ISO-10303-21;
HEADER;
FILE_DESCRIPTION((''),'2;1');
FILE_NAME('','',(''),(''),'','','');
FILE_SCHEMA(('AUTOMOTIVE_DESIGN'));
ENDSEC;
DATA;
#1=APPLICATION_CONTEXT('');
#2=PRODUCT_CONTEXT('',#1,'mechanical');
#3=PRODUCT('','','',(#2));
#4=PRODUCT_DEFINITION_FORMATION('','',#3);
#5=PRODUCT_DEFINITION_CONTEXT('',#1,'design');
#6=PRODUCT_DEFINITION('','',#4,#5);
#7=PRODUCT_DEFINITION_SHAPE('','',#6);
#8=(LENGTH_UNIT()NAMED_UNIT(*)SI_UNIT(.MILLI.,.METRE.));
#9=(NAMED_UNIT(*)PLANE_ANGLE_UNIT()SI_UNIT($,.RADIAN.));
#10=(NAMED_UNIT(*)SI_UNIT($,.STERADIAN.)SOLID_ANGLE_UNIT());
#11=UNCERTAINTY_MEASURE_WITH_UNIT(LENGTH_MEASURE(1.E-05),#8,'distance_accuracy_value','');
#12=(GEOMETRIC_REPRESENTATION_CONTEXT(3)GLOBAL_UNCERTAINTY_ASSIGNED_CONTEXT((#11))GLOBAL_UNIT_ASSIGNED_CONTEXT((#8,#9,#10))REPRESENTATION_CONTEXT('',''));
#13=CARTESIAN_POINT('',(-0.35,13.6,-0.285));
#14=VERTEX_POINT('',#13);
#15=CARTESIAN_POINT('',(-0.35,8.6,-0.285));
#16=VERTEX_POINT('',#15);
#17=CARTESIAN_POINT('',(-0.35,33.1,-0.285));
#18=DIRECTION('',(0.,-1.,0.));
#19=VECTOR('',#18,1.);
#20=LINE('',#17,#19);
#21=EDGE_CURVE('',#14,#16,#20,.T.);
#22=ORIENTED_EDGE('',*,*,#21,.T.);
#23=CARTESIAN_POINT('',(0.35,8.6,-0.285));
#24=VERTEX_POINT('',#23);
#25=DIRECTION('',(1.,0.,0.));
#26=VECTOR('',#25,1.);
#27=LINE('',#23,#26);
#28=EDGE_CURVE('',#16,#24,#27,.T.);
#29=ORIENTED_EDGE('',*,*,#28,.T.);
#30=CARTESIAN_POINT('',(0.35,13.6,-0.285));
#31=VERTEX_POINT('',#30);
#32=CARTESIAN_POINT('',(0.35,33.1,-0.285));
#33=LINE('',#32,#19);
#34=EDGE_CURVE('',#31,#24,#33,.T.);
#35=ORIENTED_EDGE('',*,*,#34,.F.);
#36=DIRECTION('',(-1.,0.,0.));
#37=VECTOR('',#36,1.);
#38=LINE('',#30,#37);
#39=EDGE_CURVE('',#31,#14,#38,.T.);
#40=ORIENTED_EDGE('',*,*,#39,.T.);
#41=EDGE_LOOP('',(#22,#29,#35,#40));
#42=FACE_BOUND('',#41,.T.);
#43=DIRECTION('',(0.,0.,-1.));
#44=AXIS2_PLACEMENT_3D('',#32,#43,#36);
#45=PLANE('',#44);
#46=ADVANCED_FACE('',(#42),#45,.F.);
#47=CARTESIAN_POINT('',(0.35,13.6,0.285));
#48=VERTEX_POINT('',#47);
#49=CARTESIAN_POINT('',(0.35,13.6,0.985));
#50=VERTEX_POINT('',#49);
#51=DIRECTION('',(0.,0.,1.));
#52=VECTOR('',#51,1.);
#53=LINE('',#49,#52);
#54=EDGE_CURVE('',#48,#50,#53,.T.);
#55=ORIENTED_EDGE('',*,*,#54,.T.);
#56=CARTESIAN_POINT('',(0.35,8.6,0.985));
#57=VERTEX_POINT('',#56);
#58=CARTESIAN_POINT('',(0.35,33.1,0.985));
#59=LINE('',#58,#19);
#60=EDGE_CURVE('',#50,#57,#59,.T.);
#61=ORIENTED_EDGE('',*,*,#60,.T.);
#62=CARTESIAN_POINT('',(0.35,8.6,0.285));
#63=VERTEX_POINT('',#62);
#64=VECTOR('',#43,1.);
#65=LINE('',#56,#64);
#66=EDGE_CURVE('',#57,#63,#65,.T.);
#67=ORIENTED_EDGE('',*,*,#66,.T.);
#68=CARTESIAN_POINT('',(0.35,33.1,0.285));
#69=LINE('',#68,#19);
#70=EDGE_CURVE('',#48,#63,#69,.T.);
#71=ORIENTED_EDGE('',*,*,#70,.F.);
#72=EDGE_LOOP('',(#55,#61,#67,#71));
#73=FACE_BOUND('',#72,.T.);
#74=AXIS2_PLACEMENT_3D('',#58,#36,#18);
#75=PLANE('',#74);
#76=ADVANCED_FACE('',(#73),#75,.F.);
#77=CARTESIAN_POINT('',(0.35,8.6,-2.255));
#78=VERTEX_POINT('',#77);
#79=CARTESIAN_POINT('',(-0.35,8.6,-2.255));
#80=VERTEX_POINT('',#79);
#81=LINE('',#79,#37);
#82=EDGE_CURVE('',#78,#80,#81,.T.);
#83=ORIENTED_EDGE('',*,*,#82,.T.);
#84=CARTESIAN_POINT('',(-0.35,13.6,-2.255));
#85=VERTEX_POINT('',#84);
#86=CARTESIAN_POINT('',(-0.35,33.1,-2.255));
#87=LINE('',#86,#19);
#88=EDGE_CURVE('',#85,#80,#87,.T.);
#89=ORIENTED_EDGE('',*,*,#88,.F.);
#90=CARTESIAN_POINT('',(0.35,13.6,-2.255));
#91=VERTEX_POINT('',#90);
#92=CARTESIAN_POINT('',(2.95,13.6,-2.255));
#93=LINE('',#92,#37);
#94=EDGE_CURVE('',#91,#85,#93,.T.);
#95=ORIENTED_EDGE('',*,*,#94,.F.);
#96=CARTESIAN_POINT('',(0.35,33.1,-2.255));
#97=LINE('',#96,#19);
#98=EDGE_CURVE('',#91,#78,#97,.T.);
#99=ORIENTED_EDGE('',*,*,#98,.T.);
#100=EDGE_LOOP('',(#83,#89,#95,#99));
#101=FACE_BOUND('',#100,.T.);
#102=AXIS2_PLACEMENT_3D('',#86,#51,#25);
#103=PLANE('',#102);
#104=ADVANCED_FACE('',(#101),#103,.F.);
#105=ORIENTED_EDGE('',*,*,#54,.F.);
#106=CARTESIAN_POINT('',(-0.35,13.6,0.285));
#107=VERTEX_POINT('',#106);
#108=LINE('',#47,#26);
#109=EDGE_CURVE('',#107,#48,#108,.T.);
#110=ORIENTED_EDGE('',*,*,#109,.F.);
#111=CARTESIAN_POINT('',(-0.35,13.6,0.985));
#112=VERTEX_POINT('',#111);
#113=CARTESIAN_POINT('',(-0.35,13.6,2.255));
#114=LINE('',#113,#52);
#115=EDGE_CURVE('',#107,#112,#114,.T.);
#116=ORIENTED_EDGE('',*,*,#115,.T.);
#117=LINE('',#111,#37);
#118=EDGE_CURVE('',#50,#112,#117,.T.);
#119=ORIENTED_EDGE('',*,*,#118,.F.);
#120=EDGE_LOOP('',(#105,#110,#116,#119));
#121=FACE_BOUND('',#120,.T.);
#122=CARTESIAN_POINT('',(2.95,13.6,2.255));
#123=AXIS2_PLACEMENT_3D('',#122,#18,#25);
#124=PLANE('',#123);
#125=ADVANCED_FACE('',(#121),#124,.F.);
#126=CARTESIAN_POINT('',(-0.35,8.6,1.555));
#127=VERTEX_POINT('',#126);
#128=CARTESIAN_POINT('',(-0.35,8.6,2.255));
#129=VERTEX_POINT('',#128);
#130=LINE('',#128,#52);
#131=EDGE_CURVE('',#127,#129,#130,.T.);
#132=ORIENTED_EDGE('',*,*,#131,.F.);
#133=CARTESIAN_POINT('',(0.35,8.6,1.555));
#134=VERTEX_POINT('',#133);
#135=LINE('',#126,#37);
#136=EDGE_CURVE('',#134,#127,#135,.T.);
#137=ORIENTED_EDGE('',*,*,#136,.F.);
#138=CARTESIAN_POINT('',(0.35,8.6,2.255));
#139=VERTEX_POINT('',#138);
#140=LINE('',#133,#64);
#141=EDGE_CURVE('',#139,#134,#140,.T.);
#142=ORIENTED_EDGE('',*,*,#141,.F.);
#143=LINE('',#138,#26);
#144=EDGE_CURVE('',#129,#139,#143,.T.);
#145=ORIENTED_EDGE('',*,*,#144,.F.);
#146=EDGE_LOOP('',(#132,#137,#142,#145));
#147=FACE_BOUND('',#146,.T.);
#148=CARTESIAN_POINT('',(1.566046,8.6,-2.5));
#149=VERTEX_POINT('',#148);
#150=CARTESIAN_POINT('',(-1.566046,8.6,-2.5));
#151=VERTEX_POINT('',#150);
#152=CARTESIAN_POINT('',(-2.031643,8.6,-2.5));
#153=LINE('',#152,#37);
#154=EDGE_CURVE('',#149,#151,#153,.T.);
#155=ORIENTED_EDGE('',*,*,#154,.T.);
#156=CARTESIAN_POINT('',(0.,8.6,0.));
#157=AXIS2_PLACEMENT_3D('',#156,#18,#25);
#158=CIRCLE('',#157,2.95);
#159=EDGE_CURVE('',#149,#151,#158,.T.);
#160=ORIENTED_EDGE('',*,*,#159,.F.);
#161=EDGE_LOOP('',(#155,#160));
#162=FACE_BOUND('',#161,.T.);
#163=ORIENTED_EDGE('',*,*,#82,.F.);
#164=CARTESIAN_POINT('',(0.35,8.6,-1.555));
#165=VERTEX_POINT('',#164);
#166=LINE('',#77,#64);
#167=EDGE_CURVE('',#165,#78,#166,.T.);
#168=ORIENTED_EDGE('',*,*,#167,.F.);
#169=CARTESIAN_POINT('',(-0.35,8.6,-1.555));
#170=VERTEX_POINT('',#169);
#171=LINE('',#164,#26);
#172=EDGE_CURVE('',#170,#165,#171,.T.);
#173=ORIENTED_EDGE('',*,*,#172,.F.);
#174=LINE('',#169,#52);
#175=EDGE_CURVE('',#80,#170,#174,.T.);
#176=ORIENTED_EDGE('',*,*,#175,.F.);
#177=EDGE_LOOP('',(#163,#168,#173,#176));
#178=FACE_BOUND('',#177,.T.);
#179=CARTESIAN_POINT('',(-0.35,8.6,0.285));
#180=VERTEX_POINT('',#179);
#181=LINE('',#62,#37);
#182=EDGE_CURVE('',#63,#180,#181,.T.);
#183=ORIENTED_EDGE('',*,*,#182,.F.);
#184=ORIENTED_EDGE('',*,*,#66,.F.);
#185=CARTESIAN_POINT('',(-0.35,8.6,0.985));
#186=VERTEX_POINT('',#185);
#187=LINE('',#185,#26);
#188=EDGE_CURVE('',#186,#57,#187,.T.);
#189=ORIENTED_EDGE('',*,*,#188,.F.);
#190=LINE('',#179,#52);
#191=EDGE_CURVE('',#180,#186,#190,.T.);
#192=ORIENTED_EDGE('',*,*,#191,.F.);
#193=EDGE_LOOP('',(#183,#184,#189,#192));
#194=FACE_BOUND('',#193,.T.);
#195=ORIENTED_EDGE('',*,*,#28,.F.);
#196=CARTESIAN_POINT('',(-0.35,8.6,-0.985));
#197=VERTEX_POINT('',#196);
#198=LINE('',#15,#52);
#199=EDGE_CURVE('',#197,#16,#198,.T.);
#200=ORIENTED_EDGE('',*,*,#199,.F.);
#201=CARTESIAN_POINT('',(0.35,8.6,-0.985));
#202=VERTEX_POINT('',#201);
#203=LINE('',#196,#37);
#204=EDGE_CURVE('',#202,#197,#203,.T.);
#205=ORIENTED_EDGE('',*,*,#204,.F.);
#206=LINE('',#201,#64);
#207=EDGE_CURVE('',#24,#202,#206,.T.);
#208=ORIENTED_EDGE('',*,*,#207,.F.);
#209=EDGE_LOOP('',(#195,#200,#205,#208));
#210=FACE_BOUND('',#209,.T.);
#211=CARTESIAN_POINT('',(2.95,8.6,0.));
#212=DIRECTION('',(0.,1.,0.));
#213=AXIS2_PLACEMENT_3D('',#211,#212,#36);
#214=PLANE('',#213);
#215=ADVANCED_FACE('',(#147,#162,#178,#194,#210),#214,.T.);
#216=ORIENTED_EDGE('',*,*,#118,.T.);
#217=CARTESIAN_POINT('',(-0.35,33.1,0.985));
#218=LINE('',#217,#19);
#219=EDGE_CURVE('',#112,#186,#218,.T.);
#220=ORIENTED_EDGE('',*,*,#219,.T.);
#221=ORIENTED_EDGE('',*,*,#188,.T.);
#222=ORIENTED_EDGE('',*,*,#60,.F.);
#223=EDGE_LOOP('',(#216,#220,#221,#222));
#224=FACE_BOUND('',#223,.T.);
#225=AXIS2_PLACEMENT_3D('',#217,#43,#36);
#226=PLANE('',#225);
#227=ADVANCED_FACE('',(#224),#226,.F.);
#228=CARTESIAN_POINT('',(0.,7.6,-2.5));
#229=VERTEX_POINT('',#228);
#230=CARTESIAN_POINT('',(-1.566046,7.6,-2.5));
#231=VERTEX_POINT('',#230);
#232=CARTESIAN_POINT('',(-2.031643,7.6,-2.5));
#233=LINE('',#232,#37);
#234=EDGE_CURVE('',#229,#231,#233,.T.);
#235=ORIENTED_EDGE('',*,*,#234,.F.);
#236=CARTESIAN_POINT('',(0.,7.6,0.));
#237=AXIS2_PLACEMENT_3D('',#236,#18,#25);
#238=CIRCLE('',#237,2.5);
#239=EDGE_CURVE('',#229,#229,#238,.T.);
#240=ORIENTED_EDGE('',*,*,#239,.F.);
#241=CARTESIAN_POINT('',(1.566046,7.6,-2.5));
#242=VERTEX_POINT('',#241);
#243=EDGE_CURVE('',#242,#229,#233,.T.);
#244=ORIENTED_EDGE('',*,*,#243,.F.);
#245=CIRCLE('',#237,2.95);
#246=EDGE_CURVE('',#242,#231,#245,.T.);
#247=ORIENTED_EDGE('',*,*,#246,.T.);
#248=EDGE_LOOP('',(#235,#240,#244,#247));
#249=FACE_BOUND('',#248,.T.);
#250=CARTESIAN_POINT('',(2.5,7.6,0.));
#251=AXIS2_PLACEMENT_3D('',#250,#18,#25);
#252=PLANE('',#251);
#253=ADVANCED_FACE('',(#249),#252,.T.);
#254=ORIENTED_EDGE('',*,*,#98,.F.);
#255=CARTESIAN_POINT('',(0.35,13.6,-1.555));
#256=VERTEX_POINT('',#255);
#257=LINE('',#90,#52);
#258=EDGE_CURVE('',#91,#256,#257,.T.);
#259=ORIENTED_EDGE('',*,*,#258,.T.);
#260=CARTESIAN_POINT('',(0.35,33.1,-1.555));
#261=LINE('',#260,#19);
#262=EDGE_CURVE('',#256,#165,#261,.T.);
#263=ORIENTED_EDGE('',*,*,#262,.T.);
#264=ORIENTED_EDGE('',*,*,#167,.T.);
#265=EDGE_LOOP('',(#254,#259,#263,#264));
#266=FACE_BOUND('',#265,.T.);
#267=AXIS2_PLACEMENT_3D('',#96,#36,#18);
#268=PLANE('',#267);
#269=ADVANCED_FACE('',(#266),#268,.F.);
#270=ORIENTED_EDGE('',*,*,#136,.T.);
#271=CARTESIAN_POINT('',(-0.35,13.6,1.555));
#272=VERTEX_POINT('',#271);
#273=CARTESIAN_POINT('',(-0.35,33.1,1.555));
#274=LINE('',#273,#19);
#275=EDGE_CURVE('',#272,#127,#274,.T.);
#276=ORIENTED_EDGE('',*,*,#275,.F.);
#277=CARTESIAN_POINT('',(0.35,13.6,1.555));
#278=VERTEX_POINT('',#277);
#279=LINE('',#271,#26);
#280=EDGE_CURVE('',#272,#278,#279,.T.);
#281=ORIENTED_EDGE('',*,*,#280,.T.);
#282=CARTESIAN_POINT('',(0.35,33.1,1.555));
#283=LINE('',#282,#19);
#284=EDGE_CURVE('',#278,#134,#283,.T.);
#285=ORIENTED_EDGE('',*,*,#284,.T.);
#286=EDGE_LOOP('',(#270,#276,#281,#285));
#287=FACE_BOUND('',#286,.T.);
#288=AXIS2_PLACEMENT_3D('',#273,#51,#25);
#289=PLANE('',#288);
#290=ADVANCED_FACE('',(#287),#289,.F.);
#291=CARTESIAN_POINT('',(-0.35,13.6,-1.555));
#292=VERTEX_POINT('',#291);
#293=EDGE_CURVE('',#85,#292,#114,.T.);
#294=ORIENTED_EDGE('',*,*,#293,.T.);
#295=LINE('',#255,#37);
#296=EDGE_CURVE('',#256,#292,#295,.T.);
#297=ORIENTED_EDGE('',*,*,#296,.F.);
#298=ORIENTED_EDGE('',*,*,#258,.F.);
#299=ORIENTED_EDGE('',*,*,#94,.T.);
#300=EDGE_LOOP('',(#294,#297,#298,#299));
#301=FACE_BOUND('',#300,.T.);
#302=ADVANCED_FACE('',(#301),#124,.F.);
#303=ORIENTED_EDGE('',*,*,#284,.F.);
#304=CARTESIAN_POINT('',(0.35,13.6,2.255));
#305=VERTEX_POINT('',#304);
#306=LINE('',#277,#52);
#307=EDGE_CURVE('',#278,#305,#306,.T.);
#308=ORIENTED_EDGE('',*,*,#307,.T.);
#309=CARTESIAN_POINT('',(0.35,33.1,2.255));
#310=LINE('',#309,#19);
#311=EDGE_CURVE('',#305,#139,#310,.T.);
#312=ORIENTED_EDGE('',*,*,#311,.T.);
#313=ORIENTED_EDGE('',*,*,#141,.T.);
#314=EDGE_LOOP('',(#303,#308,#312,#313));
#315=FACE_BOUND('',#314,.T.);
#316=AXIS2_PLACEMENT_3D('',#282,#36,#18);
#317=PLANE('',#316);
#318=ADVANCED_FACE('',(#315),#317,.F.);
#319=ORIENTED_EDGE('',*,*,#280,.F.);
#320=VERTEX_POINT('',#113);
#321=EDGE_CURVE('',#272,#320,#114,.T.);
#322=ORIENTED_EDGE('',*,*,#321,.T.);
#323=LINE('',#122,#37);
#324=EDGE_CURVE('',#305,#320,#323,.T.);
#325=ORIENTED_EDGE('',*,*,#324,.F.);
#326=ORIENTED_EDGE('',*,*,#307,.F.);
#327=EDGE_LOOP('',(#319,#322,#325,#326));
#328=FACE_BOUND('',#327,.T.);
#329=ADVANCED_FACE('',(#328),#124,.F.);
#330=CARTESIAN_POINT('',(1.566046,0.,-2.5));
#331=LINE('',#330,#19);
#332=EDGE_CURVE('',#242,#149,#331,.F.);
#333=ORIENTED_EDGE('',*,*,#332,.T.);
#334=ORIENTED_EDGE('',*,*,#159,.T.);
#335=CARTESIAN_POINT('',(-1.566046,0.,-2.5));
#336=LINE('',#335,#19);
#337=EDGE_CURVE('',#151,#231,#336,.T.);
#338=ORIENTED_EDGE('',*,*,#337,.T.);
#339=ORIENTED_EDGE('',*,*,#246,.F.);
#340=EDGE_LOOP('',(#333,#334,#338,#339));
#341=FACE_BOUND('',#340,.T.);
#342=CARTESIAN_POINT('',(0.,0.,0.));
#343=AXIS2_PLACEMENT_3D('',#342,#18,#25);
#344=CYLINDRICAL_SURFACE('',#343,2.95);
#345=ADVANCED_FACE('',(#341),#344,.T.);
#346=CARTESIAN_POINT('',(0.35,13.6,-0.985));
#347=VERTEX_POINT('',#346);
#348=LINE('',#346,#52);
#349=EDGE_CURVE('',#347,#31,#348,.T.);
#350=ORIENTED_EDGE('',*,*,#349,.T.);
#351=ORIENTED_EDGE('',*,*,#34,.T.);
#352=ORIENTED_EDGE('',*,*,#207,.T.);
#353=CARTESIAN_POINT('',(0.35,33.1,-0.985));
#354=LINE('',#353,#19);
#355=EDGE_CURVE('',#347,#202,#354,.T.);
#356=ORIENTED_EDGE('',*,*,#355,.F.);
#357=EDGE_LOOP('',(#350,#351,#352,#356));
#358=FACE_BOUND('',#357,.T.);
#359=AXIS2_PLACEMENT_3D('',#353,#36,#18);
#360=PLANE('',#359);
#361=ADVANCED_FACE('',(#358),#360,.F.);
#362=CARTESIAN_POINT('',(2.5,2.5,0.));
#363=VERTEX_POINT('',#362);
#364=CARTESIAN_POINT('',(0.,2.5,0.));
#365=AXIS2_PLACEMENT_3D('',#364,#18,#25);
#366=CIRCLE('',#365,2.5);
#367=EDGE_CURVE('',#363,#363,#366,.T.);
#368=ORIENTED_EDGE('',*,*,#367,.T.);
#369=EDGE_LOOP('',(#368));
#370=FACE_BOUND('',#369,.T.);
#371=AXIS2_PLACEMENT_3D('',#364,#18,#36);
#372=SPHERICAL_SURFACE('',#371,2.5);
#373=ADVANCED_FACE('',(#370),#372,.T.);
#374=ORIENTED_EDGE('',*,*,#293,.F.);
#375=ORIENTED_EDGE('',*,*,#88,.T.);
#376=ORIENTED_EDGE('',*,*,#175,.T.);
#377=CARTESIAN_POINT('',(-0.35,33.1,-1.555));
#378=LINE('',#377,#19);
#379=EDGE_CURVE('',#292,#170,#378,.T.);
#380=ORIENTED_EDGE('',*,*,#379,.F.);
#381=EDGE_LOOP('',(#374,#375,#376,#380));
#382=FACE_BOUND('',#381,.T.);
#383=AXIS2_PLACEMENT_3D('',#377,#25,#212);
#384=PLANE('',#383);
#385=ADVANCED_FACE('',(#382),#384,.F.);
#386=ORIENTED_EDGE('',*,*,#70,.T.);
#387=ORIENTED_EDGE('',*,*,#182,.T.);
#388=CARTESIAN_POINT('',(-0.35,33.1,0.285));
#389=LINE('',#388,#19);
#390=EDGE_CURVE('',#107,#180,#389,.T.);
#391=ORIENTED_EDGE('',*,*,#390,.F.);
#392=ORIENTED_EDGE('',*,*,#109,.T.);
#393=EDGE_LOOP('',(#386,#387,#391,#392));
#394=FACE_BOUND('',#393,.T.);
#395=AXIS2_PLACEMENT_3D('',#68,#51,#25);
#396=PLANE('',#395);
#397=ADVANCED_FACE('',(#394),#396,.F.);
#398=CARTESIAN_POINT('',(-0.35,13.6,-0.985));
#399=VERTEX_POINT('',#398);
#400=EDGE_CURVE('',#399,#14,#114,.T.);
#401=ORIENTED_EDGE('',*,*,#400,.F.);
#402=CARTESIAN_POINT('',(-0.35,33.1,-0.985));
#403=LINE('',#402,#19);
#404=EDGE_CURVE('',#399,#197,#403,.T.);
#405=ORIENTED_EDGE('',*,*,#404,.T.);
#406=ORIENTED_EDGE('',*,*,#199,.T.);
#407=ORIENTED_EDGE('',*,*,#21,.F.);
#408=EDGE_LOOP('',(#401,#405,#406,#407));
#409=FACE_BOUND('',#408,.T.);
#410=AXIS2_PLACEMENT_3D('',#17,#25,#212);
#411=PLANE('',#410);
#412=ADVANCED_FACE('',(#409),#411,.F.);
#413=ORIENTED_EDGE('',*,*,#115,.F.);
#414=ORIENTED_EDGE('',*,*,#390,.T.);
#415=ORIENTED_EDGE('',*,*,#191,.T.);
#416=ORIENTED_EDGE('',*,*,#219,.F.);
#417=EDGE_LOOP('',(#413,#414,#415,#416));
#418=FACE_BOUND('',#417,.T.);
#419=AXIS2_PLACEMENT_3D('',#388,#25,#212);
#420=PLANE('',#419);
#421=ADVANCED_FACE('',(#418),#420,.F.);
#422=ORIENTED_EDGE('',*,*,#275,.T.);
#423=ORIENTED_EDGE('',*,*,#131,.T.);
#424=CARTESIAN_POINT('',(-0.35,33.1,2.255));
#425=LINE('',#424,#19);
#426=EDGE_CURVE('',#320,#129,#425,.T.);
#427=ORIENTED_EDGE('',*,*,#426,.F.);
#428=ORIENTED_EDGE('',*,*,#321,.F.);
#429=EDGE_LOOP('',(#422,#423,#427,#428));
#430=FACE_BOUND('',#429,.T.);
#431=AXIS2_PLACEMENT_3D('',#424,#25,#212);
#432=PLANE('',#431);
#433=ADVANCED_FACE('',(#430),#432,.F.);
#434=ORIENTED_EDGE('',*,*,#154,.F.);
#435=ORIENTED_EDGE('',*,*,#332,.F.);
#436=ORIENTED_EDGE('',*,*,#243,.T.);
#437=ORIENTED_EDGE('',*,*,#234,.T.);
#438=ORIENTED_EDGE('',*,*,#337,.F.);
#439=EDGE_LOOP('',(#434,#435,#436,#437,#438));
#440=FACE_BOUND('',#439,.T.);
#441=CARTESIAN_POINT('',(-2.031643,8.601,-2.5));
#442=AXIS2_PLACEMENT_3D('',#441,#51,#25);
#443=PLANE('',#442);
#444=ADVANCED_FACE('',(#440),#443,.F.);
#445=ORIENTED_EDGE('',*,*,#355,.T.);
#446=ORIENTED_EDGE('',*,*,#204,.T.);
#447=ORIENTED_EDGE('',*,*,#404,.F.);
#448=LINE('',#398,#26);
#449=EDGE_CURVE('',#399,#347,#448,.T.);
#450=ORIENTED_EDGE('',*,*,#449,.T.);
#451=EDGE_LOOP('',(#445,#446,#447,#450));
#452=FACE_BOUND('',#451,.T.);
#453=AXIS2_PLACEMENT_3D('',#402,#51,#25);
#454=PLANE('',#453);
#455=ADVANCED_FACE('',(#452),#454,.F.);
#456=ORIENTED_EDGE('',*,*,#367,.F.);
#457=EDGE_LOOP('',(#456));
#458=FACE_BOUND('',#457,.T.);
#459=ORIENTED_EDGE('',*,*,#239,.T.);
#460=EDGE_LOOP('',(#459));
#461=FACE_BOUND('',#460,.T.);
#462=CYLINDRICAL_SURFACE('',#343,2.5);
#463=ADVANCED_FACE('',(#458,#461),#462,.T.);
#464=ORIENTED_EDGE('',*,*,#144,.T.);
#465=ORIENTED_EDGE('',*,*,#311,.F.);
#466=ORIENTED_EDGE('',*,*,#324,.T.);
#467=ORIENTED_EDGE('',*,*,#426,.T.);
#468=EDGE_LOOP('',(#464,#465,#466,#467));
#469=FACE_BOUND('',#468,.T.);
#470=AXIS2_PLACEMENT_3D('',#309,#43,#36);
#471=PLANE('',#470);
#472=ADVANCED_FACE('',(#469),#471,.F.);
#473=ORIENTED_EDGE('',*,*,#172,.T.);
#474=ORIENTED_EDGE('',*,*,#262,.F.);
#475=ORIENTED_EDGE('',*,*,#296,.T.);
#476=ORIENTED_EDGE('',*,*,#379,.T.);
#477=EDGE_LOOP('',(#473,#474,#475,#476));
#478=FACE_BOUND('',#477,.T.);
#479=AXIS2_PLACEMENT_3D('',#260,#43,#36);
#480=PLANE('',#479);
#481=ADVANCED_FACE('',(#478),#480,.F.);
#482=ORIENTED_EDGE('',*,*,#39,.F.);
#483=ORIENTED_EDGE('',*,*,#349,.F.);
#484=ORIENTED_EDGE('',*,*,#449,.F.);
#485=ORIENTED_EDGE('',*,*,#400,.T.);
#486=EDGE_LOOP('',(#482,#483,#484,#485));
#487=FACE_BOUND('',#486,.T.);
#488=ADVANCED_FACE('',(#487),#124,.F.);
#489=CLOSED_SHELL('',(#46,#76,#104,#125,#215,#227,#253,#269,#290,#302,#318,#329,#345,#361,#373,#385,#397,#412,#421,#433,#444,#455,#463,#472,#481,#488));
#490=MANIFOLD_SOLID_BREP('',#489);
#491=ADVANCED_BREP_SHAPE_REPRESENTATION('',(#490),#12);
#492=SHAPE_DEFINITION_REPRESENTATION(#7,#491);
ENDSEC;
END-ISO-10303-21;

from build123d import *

# Parameters (mm, degrees)
ENL_V_MAT_EXTRU_1_REACH = 10.67
ESQUISSE3_W             = 0.7
ESQUISSE3_H             = 0.7
BOSS_EXTRU_1_DEPTH      = 24.5
ENL_V_START             = -3.3
ENL_V_MAT_EXTRU_2_DEPTH = 5.9
SKETCH1_W               = 4.51
SKETCH1_H               = 19.5
CUT_EXTRUDE1_DEPTH      = 34.394647775


with BuildPart() as part:
    # Esquisse1 → Révolution1 (revolve)
    with BuildSketch(Plane.XY):
        with BuildLine():
            Line((2.5, 7.6), (2.5, 2.5))
            ThreePointArc((2.5, 2.5), (1.767766953, 0.732233047), (0, 0))
            Line((0, 0), (0, 8.6))
            Line((0, 8.6), (2.95, 8.6))
            Line((2.95, 8.6), (2.95, 7.6))
            Line((2.95, 7.6), (2.5, 7.6))
        make_face()
    revolve(axis=Axis((0, 0, 0), (0, 1, 0)))

    # Esquisse2 → Enlèv. mat.-Extru.1 (cut, up to next)
    with BuildSketch(Plane(origin=(0, 7.6, 0), x_dir=(-1, 0, 0), z_dir=(0, -1, 0)), mode=Mode.PRIVATE) as enl_v_mat_extru_1_sk1:
        Polygon((2.031643218, 2.5), (-2.119175806, 2.5), (-0.304277426, 5.41579693), align=None)
    enl_v_mat_extru_1_tool1 = extrude(enl_v_mat_extru_1_sk1.sketch, amount=-ENL_V_MAT_EXTRU_1_REACH, mode=Mode.PRIVATE) & part.part
    add(enl_v_mat_extru_1_tool1.solids().sort_by_distance((0.130603, 7.6, -3.471932))[0], mode=Mode.SUBTRACT)

    # Esquisse3 → Boss.-Extru.1 (add)
    with BuildSketch(Plane(origin=(0, 8.6, 0), x_dir=(1, 0, 0), z_dir=(0, 1, 0))):
        with Locations((0, 1.905)):
            Rectangle(ESQUISSE3_W, ESQUISSE3_H)
        with Locations((0, -0.635)):
            Rectangle(ESQUISSE3_W, ESQUISSE3_H)
        with Locations((0, -1.905)):
            Rectangle(ESQUISSE3_W, ESQUISSE3_H)
        with Locations((0, 0.635)):
            Rectangle(ESQUISSE3_W, ESQUISSE3_H)
    extrude(amount=BOSS_EXTRU_1_DEPTH)

    # Esquisse4 → Enlèv. mat.-Extru.2 (cut)
    with BuildSketch(Plane.ZY.offset(0.35).offset(ENL_V_START)):
        Polygon((-2.885095567, 30.6), (-1.265657514, 30.6), (-1.265657514, 33.921907916), (0, 33.921907916), (0, 31.83), (1.344412991, 31.83), (1.344412991, 30.6), (2.897512796, 30.6), (2.897512796, 34.676886987), (-2.885095567, 34.676886987), align=None)
    extrude(amount=ENL_V_MAT_EXTRU_2_DEPTH, mode=Mode.SUBTRACT)

    # Sketch1 → Cut-Extrude1 (cut, through all)
    with BuildSketch(Plane.ZY.offset(0.35)):
        with Locations((0, 23.35)):
            Rectangle(SKETCH1_W, SKETCH1_H)
    extrude(amount=-CUT_EXTRUDE1_DEPTH, mode=Mode.SUBTRACT)


solid = part.part
